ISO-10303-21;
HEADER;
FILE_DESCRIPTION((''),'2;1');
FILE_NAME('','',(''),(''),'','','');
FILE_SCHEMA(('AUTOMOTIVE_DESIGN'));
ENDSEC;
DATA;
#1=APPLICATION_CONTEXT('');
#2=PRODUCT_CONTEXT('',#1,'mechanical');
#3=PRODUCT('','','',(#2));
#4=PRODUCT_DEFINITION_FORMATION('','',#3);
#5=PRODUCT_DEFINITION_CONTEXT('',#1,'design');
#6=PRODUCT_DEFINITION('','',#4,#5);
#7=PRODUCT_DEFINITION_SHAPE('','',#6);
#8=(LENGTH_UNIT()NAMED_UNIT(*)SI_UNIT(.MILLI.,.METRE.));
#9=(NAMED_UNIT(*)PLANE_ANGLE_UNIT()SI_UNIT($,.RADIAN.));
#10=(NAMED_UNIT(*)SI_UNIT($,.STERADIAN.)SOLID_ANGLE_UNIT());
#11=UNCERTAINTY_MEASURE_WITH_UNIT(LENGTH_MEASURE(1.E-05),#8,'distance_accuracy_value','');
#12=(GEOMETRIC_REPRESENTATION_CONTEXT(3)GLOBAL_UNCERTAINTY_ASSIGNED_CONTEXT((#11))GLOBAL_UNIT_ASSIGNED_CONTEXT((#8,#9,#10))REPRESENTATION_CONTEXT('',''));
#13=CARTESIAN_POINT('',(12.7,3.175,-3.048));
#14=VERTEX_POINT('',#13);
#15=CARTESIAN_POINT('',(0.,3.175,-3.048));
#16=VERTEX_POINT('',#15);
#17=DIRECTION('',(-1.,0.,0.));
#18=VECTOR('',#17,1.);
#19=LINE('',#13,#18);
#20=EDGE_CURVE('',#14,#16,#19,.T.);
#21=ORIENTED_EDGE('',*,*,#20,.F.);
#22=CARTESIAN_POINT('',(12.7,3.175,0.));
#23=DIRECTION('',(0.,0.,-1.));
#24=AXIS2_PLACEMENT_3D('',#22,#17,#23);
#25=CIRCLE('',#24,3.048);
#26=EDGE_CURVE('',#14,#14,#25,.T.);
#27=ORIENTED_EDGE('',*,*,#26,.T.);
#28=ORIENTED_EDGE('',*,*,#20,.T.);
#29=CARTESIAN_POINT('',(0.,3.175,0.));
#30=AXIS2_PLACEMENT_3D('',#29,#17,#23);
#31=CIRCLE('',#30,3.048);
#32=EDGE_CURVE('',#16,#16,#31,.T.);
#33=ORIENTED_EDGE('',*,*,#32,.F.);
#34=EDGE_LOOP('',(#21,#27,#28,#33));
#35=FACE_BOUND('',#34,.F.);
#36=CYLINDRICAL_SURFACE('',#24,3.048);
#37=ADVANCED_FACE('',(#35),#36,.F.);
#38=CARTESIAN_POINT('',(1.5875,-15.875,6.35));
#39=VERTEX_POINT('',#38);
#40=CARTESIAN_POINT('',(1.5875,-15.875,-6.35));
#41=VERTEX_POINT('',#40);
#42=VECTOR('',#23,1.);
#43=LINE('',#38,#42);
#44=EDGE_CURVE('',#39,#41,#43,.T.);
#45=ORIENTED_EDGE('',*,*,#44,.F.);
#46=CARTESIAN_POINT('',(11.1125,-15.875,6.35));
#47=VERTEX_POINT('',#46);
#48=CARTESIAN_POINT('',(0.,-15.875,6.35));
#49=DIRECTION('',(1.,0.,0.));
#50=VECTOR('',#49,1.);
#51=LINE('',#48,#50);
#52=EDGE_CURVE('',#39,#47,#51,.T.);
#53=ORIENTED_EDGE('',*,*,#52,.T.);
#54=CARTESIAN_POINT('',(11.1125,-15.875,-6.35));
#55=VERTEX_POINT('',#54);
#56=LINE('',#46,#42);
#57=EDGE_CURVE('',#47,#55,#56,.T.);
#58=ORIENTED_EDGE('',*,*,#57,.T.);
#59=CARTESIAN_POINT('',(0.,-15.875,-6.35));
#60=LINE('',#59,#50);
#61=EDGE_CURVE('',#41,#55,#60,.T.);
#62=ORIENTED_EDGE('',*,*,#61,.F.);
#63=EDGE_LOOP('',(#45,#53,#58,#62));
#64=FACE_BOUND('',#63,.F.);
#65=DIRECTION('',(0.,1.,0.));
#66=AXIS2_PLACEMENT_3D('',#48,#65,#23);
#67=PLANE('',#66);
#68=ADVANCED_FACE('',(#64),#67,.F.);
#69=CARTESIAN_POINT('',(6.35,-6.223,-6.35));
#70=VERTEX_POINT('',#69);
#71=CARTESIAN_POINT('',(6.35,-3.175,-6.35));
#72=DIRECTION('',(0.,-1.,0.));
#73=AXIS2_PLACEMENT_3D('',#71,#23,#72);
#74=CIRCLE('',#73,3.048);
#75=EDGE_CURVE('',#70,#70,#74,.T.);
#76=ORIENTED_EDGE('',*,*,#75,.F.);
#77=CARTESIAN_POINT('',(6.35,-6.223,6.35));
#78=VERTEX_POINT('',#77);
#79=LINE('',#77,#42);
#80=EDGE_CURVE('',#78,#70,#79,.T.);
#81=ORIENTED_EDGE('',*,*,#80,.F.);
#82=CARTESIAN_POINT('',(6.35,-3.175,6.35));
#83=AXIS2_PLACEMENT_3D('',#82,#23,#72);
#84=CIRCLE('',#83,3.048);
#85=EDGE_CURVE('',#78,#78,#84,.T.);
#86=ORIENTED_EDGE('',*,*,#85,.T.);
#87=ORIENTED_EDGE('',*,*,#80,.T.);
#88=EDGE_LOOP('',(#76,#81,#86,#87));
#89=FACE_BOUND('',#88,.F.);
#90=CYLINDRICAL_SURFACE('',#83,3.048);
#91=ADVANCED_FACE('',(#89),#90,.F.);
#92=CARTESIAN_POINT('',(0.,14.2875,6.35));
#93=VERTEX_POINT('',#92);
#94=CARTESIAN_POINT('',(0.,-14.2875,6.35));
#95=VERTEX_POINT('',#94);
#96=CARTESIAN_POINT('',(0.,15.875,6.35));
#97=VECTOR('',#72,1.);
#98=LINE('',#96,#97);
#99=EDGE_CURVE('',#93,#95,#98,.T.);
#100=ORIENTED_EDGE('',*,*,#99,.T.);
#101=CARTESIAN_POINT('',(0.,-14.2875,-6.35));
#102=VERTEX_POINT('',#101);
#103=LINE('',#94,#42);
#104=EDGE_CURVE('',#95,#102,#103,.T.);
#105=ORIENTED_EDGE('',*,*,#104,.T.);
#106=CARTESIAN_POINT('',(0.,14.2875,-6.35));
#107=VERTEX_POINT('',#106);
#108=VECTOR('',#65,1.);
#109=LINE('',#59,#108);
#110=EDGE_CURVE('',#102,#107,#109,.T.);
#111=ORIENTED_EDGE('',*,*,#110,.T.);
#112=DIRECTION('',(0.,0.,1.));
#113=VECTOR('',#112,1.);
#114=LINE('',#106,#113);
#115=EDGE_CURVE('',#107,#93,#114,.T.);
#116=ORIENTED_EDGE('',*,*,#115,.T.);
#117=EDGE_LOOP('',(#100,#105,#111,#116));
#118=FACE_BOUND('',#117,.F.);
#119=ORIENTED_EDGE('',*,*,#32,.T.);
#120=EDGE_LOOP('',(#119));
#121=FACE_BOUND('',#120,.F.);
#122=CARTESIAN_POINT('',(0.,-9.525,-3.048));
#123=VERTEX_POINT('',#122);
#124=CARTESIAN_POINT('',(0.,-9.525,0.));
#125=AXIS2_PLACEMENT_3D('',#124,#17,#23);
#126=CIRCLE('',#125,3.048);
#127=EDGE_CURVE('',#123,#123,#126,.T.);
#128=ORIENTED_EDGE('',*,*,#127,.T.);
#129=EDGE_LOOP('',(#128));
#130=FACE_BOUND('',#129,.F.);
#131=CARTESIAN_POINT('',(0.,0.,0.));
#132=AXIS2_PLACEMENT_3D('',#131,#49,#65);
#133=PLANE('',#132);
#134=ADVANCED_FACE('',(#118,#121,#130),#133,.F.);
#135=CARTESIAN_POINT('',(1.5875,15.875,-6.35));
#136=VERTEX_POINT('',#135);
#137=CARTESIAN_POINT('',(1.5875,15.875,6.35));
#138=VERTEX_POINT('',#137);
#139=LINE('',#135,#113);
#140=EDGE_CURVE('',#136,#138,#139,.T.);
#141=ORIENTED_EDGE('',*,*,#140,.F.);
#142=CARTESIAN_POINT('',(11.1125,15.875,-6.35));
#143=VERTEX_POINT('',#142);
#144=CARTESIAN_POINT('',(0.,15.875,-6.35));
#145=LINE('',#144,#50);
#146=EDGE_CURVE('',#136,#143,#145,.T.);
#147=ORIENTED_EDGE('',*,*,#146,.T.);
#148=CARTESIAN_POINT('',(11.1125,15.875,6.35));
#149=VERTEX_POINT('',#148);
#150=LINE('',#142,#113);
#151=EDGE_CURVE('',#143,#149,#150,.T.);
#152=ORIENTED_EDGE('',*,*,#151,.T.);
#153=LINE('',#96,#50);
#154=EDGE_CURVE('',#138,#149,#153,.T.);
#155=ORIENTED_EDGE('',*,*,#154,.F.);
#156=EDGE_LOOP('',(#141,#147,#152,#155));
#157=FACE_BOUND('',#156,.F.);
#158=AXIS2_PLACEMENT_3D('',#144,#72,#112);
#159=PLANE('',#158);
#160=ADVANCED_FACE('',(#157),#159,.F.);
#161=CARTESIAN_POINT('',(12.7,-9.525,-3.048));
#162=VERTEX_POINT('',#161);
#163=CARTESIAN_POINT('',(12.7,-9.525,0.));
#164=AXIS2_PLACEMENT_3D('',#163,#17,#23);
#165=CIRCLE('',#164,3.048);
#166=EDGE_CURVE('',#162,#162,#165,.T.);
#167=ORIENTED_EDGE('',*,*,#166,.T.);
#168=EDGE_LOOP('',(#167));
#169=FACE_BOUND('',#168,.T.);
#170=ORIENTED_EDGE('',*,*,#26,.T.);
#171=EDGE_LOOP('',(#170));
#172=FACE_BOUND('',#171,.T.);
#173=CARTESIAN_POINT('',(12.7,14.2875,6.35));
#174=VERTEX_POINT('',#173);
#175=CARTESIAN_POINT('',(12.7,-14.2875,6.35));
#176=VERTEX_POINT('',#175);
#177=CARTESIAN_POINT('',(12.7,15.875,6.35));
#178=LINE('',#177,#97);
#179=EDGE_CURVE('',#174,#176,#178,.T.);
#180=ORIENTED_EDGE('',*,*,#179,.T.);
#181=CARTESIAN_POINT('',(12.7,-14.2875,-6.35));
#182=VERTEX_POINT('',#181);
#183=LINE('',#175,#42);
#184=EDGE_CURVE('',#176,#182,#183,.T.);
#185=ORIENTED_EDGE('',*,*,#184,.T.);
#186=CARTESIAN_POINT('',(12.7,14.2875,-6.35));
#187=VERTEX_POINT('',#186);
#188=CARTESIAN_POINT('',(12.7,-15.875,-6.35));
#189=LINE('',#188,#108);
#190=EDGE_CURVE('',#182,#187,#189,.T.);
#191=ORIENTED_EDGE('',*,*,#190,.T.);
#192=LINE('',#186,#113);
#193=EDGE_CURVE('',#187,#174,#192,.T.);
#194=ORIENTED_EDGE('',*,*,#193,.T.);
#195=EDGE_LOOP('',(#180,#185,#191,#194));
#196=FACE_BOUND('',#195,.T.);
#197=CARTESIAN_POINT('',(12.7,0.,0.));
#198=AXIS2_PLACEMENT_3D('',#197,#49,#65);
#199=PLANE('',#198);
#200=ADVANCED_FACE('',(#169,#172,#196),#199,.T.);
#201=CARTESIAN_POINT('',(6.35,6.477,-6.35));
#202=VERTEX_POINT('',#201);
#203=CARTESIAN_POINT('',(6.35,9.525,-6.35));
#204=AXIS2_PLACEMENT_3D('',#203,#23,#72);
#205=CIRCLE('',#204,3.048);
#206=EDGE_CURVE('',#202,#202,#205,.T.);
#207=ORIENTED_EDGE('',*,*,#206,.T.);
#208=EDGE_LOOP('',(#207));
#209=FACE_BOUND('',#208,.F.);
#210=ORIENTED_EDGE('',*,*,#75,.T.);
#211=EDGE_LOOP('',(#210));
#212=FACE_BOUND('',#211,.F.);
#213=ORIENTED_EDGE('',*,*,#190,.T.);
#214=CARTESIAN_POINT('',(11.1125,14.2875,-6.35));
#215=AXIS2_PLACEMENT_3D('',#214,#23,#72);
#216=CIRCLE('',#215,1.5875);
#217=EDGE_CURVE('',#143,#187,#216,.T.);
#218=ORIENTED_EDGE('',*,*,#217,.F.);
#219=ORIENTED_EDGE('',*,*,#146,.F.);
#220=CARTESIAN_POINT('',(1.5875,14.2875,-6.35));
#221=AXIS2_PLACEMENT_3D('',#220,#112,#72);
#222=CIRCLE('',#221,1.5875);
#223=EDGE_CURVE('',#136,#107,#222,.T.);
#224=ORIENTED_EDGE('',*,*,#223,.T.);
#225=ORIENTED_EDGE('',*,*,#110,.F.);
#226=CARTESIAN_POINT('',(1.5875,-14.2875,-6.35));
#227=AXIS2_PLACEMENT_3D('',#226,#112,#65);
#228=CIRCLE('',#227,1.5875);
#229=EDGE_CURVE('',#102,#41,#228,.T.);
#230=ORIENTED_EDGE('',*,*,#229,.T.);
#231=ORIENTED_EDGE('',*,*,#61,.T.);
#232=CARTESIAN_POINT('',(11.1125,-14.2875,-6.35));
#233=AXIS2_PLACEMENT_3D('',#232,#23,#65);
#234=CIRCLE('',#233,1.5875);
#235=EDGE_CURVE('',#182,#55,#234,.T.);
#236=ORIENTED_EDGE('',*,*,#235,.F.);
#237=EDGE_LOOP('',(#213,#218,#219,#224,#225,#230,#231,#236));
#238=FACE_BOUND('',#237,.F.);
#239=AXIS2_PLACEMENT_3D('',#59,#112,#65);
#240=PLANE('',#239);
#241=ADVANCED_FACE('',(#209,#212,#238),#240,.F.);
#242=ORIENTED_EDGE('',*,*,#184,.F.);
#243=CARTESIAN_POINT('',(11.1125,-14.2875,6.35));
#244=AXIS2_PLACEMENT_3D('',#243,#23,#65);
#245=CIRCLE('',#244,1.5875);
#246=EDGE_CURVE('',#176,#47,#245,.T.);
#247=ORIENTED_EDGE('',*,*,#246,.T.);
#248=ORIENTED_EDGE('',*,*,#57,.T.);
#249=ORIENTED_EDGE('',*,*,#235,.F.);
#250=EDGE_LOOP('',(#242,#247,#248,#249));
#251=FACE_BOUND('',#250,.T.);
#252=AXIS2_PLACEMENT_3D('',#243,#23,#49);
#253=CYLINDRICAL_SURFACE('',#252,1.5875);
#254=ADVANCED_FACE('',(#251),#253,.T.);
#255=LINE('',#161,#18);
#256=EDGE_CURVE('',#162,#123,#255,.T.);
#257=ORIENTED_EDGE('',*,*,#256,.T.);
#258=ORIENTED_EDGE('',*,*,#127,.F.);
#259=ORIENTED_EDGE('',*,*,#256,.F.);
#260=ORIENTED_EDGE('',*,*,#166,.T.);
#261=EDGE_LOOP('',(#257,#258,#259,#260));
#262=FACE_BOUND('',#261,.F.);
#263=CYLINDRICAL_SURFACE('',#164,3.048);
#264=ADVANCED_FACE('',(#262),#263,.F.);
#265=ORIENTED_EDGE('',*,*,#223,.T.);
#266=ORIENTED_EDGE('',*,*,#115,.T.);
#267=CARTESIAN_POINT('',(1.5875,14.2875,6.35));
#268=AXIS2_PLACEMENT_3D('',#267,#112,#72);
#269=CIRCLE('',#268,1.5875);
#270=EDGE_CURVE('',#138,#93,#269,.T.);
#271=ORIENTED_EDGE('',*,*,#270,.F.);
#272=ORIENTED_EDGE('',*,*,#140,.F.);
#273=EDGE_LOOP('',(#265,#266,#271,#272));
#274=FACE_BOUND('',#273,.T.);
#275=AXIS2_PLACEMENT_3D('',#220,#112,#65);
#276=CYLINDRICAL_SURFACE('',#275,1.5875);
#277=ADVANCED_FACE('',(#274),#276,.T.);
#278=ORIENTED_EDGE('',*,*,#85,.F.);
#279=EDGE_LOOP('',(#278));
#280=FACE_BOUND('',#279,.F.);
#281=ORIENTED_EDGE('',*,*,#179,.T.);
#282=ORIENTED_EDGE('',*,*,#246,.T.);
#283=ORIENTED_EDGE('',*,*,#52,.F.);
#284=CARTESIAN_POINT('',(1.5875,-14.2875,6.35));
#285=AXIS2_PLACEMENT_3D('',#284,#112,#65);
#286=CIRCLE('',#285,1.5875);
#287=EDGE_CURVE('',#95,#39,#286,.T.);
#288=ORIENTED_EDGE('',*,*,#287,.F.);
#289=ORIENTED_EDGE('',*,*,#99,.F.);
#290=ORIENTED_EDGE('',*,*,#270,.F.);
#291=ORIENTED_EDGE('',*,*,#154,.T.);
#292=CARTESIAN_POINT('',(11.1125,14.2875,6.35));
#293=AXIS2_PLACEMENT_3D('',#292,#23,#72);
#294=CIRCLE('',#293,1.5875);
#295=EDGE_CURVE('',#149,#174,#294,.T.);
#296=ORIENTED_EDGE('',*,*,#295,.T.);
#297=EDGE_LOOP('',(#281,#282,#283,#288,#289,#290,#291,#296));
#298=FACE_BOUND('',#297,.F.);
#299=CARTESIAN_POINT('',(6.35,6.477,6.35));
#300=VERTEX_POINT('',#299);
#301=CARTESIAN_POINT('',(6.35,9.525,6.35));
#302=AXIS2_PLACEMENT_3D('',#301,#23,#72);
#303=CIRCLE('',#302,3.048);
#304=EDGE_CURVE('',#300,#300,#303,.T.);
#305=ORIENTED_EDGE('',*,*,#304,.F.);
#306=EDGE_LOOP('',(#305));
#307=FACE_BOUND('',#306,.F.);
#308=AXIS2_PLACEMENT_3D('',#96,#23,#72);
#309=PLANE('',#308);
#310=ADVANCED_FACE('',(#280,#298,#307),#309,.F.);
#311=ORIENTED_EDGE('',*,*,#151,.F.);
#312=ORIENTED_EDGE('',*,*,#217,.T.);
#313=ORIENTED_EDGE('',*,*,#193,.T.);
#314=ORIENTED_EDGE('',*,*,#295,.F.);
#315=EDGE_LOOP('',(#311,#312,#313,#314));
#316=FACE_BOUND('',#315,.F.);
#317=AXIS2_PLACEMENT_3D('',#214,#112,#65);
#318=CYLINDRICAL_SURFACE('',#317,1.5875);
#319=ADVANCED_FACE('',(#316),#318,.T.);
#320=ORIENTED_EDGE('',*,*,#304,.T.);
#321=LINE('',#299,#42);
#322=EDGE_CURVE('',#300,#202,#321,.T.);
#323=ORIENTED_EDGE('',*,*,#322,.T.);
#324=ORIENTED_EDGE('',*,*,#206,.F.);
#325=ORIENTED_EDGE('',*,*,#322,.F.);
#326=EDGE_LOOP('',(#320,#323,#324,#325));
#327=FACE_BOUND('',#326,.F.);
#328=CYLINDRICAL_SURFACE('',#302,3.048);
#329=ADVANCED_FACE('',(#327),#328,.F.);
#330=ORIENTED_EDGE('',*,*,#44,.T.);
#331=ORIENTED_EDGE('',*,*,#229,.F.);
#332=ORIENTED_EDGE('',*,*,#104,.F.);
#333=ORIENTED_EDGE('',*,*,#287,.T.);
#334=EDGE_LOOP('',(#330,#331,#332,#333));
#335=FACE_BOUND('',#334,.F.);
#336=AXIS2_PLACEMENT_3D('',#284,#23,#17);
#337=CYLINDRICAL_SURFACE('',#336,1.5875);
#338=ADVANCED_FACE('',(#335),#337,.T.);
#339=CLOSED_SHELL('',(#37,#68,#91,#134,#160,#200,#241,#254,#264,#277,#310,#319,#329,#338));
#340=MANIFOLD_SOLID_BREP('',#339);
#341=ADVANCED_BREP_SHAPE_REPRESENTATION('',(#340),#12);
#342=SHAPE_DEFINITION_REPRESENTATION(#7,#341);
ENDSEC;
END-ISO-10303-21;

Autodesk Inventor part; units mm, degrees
ref_plane "YZ Plane" through (0, 0, 0) normal (1, 0, 0) x (0, 1, 0)
ref_plane "XZ Plane" through (0, 0, 0) normal (0, 1, 0) x (-1, 0, 0)
ref_plane "XY Plane" through (0, 0, 0) normal (0, 0, 1) x (1, 0, 0)
sketch "Sketch1" plane through (0, 0, 0) normal (1, 0, 0) x (0, 1, 0)
  line L0 (15.875, 6.35) -> (-15.875, 6.35)
  line L1 (-15.875, 6.35) -> (-15.875, -6.35)
  line L2 (-15.875, -6.35) -> (15.875, -6.35)
  line L3 (15.875, -6.35) -> (15.875, 6.35)
  line L4 (15.875, 6.35) -> (-15.875, -6.35) construction
  line L5 (-15.875, 6.35) -> (15.875, -6.35) construction
  point P0 (0, 0)
  dimension "d0" = 31.75
  dimension "d1" = 12.7
extrude "Extrusion1" add sketch "Sketch1" along normal blind 12.7
sketch "Sketch2" plane through (12.7, 0, 0) normal (1, 0, 0) x (0, 0, -1)
  line L0 (6.35, 15.875) -> (-6.35, 15.875) projected
  point P0 (0, 0)
  point P1 (0, -9.525)
  point P2 (0, 3.175)
  dimension "d4" = 12.7
  dimension "d5" = 12.7
hole "Hole1" at (12.7, -9.525, 0) at (12.7, 3.175, 0) direction (-1, 0, 0) diameter 6.096 depth 25.4 tip angle 118
sketch "Sketch3" plane through (0, -15.875, 6.35) normal (0, 0, 1) x (1, 0, 0)
  line L0 (0, 31.75) -> (12.7, 31.75) projected
  point P0 (0, 15.875)
  point P1 (6.35, 25.4)
  point P2 (6.35, 12.7)
  point P3 (6.35, 31.75)
  dimension "d13" = 12.7
  dimension "d14" = 6.35
hole "Hole2" at (6.35, 9.525, 6.35) at (6.35, -3.175, 6.35) direction (0, 0, -1) diameter 6.096 depth 25.4 tip angle 118
fillet "Fillet1" radius 1.5875 4 edges at (12.7, -15.875, 0) (0, -15.875, 0) (12.7, 15.875, 0) (0, 15.875, 0)
properties part number "3DPRINT,NUT-BLOCK" material "Nylon 6/6"
